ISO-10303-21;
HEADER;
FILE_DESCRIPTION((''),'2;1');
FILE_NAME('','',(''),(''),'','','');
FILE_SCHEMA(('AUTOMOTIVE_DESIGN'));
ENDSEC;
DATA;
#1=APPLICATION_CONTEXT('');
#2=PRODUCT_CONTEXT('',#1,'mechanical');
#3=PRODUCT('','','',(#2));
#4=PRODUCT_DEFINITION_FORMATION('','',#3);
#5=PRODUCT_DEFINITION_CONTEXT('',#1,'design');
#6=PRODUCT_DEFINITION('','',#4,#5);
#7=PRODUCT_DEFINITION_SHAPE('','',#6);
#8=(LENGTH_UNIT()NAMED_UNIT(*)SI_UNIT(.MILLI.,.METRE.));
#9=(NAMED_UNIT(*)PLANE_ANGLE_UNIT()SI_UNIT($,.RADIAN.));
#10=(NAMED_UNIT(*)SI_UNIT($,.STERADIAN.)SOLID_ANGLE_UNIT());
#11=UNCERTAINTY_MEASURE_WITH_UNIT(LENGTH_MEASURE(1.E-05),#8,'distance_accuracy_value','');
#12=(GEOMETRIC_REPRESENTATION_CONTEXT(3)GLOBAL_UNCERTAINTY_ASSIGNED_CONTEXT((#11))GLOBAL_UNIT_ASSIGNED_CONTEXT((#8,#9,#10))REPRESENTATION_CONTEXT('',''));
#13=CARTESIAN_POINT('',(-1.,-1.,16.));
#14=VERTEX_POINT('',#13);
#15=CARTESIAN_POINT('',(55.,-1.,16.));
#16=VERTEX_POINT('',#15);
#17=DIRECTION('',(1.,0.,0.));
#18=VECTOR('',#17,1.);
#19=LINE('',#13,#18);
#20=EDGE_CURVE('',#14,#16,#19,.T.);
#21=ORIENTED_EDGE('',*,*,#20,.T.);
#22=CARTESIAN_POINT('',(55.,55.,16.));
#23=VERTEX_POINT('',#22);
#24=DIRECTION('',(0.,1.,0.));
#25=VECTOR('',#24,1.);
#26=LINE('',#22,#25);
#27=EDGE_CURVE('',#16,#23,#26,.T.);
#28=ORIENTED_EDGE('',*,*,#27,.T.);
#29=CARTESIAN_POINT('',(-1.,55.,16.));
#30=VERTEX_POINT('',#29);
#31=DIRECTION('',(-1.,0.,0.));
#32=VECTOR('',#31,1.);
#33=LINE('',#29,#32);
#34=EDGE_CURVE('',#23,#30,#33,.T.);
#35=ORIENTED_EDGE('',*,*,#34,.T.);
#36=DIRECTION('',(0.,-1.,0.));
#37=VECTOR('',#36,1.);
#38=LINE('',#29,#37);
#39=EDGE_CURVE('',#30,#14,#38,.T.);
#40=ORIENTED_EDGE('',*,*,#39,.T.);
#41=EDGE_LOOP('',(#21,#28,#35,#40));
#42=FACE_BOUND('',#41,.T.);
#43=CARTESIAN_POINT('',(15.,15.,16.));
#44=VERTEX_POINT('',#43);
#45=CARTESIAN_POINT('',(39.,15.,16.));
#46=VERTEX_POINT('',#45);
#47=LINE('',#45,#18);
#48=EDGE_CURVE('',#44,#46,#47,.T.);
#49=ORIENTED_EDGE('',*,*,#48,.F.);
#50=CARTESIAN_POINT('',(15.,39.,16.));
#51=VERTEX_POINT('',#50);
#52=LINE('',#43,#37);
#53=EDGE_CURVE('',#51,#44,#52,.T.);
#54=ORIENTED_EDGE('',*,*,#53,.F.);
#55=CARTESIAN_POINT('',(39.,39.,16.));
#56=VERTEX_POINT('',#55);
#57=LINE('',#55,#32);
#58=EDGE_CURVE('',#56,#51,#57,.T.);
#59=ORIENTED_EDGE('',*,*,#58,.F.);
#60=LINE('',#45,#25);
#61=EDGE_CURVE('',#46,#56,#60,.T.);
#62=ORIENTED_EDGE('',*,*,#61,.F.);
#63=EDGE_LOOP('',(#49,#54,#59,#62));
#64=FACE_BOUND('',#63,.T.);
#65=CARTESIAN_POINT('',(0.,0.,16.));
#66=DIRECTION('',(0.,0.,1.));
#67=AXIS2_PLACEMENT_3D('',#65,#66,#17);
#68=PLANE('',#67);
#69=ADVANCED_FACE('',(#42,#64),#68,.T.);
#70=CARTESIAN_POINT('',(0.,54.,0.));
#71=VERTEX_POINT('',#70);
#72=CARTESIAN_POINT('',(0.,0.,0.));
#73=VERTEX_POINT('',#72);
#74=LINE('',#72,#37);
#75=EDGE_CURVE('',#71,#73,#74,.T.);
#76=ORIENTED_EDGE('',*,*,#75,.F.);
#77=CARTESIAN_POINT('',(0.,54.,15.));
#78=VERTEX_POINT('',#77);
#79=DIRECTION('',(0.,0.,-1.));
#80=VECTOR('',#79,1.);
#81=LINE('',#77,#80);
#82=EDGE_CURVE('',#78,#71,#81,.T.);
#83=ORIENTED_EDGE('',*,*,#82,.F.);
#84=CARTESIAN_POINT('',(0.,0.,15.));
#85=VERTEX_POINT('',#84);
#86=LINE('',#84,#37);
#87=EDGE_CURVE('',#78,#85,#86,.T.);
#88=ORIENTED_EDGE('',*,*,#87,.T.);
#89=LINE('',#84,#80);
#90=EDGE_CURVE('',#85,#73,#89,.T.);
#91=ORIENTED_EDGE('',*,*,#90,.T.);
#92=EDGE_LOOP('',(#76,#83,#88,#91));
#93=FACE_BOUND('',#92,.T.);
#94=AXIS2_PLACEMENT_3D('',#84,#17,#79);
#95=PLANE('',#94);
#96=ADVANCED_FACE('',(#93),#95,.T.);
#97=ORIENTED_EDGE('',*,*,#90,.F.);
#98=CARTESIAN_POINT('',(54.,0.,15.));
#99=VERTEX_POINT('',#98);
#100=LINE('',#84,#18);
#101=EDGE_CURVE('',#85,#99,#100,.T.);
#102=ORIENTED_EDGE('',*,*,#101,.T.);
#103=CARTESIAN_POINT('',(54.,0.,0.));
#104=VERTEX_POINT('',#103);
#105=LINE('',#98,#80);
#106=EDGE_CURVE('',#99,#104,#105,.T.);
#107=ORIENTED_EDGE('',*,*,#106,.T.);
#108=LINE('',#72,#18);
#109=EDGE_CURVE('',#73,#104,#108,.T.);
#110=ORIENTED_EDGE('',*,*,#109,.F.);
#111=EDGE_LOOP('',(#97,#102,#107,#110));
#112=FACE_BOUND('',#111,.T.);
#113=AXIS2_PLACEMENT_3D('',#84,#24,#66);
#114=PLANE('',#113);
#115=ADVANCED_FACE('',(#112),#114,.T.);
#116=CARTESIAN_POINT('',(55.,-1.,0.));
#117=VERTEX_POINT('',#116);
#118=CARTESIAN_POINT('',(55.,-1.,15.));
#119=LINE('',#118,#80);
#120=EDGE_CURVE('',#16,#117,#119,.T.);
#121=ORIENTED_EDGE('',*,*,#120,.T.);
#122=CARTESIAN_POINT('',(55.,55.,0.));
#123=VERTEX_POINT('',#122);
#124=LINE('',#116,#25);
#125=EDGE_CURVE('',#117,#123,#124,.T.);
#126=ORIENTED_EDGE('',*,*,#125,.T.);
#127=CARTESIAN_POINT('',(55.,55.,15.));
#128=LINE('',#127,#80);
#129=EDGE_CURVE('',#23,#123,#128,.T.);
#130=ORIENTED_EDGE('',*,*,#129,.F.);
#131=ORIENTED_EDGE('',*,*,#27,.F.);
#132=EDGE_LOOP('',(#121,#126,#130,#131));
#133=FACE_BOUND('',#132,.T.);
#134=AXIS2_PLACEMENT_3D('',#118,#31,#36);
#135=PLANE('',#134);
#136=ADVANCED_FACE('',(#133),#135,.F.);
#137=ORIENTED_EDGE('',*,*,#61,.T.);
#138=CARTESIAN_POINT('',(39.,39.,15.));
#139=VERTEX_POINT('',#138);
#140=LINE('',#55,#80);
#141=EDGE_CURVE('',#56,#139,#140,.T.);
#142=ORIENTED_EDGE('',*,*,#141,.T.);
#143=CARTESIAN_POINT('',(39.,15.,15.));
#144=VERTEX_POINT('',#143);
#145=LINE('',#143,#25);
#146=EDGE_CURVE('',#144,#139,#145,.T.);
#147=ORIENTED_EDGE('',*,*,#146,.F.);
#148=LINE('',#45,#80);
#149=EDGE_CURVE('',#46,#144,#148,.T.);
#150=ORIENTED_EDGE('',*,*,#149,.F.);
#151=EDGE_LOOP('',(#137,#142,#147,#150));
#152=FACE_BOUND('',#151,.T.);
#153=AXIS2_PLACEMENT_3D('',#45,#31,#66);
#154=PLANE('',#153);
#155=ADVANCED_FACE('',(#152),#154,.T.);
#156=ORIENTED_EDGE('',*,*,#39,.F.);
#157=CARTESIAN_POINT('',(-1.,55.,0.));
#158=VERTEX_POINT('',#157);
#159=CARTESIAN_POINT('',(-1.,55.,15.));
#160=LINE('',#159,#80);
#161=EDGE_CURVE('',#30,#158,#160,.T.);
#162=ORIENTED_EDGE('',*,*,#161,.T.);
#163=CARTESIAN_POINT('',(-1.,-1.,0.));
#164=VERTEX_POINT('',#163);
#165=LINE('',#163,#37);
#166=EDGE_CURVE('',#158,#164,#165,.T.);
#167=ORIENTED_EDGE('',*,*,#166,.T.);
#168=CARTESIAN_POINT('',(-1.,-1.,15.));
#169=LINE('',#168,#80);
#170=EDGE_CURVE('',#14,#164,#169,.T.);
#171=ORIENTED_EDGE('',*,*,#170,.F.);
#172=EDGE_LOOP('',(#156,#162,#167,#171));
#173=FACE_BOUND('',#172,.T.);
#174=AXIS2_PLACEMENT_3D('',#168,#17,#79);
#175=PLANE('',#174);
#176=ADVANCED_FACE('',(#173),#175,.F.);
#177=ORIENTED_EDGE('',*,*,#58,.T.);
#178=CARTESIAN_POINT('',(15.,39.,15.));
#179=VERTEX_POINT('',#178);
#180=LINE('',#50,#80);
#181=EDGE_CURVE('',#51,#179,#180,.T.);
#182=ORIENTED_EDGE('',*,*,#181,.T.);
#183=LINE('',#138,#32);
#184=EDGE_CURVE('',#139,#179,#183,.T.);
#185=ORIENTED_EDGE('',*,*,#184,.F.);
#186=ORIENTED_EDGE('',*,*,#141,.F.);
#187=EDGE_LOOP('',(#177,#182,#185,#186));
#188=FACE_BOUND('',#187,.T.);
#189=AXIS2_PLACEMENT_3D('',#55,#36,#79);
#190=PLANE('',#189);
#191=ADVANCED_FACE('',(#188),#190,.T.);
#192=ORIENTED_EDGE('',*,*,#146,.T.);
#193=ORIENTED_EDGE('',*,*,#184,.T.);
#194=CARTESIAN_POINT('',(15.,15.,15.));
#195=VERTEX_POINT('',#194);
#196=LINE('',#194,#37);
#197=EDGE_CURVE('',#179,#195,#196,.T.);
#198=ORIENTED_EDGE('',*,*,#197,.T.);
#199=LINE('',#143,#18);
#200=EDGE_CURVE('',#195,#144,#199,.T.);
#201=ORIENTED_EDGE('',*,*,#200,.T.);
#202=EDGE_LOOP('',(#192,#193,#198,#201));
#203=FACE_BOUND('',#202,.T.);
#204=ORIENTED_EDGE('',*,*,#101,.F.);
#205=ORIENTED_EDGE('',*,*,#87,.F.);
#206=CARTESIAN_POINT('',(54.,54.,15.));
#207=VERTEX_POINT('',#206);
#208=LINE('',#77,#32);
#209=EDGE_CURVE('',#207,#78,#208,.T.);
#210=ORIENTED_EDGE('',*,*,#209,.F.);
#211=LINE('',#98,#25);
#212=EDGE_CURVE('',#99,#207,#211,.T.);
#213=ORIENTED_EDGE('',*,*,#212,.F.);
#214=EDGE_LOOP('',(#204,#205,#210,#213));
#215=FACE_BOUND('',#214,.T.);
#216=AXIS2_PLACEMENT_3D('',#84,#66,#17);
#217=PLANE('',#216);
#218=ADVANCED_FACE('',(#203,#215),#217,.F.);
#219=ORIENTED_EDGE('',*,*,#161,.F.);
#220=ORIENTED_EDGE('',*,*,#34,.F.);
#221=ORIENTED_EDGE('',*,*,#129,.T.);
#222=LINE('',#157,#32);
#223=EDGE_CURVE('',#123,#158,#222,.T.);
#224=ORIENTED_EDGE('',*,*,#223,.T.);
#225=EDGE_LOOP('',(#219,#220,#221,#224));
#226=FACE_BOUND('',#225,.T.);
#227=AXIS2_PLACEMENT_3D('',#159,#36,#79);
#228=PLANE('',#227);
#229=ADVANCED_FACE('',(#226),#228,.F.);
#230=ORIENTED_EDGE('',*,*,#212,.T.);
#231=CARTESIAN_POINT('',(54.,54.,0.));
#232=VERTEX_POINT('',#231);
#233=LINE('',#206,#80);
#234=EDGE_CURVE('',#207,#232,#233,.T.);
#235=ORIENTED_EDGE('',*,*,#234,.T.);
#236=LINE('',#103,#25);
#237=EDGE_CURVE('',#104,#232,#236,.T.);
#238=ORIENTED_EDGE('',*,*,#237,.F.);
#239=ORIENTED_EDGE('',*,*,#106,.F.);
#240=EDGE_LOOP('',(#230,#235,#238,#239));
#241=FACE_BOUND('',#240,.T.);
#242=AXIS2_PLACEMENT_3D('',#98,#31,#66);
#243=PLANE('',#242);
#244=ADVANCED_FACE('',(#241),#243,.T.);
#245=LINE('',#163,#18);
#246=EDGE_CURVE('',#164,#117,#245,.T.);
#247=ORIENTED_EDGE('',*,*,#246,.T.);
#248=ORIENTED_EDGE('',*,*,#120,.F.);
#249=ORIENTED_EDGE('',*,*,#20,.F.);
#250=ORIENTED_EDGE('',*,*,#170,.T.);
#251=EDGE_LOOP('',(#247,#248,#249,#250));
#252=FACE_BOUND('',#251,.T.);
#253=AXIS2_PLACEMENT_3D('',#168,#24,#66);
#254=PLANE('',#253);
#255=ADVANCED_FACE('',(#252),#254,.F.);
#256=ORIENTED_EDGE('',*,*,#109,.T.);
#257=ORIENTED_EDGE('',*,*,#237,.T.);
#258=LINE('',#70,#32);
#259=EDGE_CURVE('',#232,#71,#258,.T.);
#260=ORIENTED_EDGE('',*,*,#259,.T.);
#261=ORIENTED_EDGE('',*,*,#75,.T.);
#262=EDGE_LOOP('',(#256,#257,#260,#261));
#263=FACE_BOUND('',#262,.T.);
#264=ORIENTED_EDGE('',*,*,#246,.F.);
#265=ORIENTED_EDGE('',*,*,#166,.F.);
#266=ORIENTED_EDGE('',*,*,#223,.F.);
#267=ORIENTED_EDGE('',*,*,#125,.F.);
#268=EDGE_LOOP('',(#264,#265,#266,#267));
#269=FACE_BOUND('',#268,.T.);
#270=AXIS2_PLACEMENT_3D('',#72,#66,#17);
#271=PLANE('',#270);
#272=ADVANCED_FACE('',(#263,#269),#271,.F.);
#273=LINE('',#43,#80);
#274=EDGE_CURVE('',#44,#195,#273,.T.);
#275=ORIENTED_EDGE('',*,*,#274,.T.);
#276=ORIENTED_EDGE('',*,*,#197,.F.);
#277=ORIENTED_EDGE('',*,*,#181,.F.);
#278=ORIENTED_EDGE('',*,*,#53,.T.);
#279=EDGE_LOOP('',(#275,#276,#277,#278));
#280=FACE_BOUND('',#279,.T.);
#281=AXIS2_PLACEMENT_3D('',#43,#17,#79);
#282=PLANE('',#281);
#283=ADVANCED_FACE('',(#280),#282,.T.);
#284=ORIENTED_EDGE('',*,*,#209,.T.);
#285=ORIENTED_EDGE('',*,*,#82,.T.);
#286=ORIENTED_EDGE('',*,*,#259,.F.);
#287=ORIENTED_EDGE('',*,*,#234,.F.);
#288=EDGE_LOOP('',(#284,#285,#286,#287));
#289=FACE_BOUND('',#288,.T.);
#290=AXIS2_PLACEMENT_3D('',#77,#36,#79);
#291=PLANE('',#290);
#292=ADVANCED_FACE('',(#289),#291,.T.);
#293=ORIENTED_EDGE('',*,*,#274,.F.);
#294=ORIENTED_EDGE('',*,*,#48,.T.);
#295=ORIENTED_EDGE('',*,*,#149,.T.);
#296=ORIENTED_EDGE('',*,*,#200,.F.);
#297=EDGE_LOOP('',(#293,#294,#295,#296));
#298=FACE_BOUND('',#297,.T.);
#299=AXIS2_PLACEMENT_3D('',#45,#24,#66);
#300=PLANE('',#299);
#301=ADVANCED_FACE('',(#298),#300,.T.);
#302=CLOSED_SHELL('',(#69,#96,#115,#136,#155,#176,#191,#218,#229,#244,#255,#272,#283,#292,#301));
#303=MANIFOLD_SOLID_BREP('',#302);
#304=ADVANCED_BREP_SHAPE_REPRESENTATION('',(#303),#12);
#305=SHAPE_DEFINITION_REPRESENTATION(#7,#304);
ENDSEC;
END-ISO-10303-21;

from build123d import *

# Parameters (mm, degrees)
SKETCH1_W           = 56
SKETCH1_H           = 56
SKETCH1_W_2         = 54
SKETCH1_H_2         = 54
BOSS_EXTRUDE1_DEPTH = 15
SKETCH2_W           = 56
SKETCH2_H           = 56
SKETCH2_W_2         = 24
SKETCH2_H_2         = 24
BOSS_EXTRUDE2_DEPTH = 1


with BuildPart() as part:
    # Sketch1 → Boss-Extrude1 (new body)
    with BuildSketch(Plane.XY):
        with Locations((27, 27)):
            Rectangle(SKETCH1_W, SKETCH1_H)
        with Locations((27, 27)):
            Rectangle(SKETCH1_W_2, SKETCH1_H_2, mode=Mode.SUBTRACT)
    extrude(amount=BOSS_EXTRUDE1_DEPTH)

    # Sketch2 → Boss-Extrude2 (add)
    with BuildSketch(Plane.XY.offset(15)):
        with Locations((27, 27)):
            Rectangle(SKETCH2_W, SKETCH2_H)
        with Locations((27, 27)):
            Rectangle(SKETCH2_W_2, SKETCH2_H_2, mode=Mode.SUBTRACT)
    extrude(amount=BOSS_EXTRUDE2_DEPTH)


solid = part.part
